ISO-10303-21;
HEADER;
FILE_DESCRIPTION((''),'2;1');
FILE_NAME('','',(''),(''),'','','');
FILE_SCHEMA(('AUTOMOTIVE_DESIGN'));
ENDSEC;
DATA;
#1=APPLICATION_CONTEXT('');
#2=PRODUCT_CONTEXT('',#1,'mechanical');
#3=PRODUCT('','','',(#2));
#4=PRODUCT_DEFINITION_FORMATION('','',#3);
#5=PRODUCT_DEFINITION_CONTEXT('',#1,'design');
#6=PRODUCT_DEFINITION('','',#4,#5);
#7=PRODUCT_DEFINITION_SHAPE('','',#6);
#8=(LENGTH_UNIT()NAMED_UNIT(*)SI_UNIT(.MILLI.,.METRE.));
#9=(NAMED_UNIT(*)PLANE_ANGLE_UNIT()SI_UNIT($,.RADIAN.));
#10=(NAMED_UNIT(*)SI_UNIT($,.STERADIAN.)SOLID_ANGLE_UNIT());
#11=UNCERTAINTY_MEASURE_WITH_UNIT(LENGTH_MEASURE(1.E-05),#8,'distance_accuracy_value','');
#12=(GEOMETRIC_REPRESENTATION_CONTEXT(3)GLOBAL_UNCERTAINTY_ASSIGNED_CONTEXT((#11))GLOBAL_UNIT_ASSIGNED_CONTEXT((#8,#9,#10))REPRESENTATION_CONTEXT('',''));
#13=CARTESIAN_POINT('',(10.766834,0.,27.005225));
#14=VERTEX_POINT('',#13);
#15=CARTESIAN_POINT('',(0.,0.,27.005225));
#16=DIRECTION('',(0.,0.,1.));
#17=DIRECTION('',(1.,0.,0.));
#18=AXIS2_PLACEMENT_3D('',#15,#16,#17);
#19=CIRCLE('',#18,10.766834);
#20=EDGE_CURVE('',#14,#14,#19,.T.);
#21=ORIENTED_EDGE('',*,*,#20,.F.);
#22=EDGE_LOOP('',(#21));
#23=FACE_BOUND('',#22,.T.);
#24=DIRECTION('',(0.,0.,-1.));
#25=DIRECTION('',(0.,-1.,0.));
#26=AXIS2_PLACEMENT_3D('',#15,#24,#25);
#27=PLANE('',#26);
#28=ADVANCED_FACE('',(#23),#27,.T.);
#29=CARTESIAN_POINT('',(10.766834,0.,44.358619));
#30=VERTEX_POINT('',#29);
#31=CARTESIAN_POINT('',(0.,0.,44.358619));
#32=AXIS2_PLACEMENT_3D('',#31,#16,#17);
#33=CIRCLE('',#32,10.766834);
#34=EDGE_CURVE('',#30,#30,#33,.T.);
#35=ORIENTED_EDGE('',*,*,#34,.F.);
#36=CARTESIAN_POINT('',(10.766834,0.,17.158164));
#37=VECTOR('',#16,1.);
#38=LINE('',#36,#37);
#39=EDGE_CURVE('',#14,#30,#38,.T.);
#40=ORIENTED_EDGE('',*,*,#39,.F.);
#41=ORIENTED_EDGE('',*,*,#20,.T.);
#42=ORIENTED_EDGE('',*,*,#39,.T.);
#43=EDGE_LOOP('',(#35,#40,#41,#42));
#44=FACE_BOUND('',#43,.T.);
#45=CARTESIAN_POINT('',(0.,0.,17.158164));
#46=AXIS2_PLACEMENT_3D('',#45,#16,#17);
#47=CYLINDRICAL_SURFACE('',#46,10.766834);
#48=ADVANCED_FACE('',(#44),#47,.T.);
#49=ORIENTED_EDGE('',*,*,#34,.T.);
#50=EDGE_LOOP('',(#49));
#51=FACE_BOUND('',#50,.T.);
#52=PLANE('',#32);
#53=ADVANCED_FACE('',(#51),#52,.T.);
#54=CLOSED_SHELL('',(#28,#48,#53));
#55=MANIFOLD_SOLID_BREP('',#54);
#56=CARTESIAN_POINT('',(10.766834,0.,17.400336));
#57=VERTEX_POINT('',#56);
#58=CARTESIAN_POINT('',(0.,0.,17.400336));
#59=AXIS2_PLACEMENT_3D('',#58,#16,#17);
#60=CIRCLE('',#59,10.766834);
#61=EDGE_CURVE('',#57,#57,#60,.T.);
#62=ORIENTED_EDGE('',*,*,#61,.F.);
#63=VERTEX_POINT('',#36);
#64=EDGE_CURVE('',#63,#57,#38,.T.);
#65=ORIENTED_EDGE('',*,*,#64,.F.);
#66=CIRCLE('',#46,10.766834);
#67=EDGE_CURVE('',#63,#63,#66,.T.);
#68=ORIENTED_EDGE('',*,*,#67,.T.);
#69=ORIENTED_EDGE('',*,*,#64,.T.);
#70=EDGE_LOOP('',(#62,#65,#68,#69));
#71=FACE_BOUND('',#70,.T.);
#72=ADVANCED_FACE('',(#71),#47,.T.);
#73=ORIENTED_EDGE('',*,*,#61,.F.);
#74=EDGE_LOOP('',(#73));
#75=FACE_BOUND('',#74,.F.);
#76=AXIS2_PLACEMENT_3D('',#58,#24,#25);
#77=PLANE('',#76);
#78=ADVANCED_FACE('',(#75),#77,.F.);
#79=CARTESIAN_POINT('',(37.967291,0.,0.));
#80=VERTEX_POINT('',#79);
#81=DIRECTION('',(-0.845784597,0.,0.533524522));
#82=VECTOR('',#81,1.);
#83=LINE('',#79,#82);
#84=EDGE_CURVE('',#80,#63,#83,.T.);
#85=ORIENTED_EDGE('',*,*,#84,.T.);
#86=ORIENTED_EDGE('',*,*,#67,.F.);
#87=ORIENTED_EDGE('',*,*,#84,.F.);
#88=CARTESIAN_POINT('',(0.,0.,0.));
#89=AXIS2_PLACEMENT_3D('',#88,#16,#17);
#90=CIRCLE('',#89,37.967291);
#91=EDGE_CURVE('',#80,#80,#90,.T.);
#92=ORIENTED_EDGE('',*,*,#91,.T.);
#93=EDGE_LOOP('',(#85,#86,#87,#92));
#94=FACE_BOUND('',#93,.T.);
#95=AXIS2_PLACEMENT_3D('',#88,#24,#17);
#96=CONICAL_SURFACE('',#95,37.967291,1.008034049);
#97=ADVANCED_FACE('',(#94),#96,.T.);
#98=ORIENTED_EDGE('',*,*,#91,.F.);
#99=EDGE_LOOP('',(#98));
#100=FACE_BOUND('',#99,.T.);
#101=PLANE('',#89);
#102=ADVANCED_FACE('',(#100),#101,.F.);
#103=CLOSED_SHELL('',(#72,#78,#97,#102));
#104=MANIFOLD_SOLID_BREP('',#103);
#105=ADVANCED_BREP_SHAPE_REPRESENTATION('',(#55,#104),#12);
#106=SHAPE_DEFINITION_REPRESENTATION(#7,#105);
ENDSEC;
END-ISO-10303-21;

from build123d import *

# Parameters (mm, degrees)
F2_W = 11.047998
F2_H = 9.604889


with BuildPart() as f1:
    # F0 (on Front) → F1 (revolve)
    with BuildSketch(Plane.XZ):
        Polygon((0, 44.358619), (0, 0), (37.967291, 0), (10.766834, 17.158164), (10.766834, 44.358619), align=None)
    revolve(axis=Axis((0, 0, 22.179309), (0, 0, 1)))

    # F2 (on Right) → F3 (revolve, cut)
    with BuildSketch(Plane.YZ):
        with Locations((-5.523999, 22.20278)):
            Rectangle(F2_W, F2_H)
    revolve(axis=Axis((0, 0, 22.20278), (0, 0, -1)), mode=Mode.SUBTRACT)


solid = f1.part
